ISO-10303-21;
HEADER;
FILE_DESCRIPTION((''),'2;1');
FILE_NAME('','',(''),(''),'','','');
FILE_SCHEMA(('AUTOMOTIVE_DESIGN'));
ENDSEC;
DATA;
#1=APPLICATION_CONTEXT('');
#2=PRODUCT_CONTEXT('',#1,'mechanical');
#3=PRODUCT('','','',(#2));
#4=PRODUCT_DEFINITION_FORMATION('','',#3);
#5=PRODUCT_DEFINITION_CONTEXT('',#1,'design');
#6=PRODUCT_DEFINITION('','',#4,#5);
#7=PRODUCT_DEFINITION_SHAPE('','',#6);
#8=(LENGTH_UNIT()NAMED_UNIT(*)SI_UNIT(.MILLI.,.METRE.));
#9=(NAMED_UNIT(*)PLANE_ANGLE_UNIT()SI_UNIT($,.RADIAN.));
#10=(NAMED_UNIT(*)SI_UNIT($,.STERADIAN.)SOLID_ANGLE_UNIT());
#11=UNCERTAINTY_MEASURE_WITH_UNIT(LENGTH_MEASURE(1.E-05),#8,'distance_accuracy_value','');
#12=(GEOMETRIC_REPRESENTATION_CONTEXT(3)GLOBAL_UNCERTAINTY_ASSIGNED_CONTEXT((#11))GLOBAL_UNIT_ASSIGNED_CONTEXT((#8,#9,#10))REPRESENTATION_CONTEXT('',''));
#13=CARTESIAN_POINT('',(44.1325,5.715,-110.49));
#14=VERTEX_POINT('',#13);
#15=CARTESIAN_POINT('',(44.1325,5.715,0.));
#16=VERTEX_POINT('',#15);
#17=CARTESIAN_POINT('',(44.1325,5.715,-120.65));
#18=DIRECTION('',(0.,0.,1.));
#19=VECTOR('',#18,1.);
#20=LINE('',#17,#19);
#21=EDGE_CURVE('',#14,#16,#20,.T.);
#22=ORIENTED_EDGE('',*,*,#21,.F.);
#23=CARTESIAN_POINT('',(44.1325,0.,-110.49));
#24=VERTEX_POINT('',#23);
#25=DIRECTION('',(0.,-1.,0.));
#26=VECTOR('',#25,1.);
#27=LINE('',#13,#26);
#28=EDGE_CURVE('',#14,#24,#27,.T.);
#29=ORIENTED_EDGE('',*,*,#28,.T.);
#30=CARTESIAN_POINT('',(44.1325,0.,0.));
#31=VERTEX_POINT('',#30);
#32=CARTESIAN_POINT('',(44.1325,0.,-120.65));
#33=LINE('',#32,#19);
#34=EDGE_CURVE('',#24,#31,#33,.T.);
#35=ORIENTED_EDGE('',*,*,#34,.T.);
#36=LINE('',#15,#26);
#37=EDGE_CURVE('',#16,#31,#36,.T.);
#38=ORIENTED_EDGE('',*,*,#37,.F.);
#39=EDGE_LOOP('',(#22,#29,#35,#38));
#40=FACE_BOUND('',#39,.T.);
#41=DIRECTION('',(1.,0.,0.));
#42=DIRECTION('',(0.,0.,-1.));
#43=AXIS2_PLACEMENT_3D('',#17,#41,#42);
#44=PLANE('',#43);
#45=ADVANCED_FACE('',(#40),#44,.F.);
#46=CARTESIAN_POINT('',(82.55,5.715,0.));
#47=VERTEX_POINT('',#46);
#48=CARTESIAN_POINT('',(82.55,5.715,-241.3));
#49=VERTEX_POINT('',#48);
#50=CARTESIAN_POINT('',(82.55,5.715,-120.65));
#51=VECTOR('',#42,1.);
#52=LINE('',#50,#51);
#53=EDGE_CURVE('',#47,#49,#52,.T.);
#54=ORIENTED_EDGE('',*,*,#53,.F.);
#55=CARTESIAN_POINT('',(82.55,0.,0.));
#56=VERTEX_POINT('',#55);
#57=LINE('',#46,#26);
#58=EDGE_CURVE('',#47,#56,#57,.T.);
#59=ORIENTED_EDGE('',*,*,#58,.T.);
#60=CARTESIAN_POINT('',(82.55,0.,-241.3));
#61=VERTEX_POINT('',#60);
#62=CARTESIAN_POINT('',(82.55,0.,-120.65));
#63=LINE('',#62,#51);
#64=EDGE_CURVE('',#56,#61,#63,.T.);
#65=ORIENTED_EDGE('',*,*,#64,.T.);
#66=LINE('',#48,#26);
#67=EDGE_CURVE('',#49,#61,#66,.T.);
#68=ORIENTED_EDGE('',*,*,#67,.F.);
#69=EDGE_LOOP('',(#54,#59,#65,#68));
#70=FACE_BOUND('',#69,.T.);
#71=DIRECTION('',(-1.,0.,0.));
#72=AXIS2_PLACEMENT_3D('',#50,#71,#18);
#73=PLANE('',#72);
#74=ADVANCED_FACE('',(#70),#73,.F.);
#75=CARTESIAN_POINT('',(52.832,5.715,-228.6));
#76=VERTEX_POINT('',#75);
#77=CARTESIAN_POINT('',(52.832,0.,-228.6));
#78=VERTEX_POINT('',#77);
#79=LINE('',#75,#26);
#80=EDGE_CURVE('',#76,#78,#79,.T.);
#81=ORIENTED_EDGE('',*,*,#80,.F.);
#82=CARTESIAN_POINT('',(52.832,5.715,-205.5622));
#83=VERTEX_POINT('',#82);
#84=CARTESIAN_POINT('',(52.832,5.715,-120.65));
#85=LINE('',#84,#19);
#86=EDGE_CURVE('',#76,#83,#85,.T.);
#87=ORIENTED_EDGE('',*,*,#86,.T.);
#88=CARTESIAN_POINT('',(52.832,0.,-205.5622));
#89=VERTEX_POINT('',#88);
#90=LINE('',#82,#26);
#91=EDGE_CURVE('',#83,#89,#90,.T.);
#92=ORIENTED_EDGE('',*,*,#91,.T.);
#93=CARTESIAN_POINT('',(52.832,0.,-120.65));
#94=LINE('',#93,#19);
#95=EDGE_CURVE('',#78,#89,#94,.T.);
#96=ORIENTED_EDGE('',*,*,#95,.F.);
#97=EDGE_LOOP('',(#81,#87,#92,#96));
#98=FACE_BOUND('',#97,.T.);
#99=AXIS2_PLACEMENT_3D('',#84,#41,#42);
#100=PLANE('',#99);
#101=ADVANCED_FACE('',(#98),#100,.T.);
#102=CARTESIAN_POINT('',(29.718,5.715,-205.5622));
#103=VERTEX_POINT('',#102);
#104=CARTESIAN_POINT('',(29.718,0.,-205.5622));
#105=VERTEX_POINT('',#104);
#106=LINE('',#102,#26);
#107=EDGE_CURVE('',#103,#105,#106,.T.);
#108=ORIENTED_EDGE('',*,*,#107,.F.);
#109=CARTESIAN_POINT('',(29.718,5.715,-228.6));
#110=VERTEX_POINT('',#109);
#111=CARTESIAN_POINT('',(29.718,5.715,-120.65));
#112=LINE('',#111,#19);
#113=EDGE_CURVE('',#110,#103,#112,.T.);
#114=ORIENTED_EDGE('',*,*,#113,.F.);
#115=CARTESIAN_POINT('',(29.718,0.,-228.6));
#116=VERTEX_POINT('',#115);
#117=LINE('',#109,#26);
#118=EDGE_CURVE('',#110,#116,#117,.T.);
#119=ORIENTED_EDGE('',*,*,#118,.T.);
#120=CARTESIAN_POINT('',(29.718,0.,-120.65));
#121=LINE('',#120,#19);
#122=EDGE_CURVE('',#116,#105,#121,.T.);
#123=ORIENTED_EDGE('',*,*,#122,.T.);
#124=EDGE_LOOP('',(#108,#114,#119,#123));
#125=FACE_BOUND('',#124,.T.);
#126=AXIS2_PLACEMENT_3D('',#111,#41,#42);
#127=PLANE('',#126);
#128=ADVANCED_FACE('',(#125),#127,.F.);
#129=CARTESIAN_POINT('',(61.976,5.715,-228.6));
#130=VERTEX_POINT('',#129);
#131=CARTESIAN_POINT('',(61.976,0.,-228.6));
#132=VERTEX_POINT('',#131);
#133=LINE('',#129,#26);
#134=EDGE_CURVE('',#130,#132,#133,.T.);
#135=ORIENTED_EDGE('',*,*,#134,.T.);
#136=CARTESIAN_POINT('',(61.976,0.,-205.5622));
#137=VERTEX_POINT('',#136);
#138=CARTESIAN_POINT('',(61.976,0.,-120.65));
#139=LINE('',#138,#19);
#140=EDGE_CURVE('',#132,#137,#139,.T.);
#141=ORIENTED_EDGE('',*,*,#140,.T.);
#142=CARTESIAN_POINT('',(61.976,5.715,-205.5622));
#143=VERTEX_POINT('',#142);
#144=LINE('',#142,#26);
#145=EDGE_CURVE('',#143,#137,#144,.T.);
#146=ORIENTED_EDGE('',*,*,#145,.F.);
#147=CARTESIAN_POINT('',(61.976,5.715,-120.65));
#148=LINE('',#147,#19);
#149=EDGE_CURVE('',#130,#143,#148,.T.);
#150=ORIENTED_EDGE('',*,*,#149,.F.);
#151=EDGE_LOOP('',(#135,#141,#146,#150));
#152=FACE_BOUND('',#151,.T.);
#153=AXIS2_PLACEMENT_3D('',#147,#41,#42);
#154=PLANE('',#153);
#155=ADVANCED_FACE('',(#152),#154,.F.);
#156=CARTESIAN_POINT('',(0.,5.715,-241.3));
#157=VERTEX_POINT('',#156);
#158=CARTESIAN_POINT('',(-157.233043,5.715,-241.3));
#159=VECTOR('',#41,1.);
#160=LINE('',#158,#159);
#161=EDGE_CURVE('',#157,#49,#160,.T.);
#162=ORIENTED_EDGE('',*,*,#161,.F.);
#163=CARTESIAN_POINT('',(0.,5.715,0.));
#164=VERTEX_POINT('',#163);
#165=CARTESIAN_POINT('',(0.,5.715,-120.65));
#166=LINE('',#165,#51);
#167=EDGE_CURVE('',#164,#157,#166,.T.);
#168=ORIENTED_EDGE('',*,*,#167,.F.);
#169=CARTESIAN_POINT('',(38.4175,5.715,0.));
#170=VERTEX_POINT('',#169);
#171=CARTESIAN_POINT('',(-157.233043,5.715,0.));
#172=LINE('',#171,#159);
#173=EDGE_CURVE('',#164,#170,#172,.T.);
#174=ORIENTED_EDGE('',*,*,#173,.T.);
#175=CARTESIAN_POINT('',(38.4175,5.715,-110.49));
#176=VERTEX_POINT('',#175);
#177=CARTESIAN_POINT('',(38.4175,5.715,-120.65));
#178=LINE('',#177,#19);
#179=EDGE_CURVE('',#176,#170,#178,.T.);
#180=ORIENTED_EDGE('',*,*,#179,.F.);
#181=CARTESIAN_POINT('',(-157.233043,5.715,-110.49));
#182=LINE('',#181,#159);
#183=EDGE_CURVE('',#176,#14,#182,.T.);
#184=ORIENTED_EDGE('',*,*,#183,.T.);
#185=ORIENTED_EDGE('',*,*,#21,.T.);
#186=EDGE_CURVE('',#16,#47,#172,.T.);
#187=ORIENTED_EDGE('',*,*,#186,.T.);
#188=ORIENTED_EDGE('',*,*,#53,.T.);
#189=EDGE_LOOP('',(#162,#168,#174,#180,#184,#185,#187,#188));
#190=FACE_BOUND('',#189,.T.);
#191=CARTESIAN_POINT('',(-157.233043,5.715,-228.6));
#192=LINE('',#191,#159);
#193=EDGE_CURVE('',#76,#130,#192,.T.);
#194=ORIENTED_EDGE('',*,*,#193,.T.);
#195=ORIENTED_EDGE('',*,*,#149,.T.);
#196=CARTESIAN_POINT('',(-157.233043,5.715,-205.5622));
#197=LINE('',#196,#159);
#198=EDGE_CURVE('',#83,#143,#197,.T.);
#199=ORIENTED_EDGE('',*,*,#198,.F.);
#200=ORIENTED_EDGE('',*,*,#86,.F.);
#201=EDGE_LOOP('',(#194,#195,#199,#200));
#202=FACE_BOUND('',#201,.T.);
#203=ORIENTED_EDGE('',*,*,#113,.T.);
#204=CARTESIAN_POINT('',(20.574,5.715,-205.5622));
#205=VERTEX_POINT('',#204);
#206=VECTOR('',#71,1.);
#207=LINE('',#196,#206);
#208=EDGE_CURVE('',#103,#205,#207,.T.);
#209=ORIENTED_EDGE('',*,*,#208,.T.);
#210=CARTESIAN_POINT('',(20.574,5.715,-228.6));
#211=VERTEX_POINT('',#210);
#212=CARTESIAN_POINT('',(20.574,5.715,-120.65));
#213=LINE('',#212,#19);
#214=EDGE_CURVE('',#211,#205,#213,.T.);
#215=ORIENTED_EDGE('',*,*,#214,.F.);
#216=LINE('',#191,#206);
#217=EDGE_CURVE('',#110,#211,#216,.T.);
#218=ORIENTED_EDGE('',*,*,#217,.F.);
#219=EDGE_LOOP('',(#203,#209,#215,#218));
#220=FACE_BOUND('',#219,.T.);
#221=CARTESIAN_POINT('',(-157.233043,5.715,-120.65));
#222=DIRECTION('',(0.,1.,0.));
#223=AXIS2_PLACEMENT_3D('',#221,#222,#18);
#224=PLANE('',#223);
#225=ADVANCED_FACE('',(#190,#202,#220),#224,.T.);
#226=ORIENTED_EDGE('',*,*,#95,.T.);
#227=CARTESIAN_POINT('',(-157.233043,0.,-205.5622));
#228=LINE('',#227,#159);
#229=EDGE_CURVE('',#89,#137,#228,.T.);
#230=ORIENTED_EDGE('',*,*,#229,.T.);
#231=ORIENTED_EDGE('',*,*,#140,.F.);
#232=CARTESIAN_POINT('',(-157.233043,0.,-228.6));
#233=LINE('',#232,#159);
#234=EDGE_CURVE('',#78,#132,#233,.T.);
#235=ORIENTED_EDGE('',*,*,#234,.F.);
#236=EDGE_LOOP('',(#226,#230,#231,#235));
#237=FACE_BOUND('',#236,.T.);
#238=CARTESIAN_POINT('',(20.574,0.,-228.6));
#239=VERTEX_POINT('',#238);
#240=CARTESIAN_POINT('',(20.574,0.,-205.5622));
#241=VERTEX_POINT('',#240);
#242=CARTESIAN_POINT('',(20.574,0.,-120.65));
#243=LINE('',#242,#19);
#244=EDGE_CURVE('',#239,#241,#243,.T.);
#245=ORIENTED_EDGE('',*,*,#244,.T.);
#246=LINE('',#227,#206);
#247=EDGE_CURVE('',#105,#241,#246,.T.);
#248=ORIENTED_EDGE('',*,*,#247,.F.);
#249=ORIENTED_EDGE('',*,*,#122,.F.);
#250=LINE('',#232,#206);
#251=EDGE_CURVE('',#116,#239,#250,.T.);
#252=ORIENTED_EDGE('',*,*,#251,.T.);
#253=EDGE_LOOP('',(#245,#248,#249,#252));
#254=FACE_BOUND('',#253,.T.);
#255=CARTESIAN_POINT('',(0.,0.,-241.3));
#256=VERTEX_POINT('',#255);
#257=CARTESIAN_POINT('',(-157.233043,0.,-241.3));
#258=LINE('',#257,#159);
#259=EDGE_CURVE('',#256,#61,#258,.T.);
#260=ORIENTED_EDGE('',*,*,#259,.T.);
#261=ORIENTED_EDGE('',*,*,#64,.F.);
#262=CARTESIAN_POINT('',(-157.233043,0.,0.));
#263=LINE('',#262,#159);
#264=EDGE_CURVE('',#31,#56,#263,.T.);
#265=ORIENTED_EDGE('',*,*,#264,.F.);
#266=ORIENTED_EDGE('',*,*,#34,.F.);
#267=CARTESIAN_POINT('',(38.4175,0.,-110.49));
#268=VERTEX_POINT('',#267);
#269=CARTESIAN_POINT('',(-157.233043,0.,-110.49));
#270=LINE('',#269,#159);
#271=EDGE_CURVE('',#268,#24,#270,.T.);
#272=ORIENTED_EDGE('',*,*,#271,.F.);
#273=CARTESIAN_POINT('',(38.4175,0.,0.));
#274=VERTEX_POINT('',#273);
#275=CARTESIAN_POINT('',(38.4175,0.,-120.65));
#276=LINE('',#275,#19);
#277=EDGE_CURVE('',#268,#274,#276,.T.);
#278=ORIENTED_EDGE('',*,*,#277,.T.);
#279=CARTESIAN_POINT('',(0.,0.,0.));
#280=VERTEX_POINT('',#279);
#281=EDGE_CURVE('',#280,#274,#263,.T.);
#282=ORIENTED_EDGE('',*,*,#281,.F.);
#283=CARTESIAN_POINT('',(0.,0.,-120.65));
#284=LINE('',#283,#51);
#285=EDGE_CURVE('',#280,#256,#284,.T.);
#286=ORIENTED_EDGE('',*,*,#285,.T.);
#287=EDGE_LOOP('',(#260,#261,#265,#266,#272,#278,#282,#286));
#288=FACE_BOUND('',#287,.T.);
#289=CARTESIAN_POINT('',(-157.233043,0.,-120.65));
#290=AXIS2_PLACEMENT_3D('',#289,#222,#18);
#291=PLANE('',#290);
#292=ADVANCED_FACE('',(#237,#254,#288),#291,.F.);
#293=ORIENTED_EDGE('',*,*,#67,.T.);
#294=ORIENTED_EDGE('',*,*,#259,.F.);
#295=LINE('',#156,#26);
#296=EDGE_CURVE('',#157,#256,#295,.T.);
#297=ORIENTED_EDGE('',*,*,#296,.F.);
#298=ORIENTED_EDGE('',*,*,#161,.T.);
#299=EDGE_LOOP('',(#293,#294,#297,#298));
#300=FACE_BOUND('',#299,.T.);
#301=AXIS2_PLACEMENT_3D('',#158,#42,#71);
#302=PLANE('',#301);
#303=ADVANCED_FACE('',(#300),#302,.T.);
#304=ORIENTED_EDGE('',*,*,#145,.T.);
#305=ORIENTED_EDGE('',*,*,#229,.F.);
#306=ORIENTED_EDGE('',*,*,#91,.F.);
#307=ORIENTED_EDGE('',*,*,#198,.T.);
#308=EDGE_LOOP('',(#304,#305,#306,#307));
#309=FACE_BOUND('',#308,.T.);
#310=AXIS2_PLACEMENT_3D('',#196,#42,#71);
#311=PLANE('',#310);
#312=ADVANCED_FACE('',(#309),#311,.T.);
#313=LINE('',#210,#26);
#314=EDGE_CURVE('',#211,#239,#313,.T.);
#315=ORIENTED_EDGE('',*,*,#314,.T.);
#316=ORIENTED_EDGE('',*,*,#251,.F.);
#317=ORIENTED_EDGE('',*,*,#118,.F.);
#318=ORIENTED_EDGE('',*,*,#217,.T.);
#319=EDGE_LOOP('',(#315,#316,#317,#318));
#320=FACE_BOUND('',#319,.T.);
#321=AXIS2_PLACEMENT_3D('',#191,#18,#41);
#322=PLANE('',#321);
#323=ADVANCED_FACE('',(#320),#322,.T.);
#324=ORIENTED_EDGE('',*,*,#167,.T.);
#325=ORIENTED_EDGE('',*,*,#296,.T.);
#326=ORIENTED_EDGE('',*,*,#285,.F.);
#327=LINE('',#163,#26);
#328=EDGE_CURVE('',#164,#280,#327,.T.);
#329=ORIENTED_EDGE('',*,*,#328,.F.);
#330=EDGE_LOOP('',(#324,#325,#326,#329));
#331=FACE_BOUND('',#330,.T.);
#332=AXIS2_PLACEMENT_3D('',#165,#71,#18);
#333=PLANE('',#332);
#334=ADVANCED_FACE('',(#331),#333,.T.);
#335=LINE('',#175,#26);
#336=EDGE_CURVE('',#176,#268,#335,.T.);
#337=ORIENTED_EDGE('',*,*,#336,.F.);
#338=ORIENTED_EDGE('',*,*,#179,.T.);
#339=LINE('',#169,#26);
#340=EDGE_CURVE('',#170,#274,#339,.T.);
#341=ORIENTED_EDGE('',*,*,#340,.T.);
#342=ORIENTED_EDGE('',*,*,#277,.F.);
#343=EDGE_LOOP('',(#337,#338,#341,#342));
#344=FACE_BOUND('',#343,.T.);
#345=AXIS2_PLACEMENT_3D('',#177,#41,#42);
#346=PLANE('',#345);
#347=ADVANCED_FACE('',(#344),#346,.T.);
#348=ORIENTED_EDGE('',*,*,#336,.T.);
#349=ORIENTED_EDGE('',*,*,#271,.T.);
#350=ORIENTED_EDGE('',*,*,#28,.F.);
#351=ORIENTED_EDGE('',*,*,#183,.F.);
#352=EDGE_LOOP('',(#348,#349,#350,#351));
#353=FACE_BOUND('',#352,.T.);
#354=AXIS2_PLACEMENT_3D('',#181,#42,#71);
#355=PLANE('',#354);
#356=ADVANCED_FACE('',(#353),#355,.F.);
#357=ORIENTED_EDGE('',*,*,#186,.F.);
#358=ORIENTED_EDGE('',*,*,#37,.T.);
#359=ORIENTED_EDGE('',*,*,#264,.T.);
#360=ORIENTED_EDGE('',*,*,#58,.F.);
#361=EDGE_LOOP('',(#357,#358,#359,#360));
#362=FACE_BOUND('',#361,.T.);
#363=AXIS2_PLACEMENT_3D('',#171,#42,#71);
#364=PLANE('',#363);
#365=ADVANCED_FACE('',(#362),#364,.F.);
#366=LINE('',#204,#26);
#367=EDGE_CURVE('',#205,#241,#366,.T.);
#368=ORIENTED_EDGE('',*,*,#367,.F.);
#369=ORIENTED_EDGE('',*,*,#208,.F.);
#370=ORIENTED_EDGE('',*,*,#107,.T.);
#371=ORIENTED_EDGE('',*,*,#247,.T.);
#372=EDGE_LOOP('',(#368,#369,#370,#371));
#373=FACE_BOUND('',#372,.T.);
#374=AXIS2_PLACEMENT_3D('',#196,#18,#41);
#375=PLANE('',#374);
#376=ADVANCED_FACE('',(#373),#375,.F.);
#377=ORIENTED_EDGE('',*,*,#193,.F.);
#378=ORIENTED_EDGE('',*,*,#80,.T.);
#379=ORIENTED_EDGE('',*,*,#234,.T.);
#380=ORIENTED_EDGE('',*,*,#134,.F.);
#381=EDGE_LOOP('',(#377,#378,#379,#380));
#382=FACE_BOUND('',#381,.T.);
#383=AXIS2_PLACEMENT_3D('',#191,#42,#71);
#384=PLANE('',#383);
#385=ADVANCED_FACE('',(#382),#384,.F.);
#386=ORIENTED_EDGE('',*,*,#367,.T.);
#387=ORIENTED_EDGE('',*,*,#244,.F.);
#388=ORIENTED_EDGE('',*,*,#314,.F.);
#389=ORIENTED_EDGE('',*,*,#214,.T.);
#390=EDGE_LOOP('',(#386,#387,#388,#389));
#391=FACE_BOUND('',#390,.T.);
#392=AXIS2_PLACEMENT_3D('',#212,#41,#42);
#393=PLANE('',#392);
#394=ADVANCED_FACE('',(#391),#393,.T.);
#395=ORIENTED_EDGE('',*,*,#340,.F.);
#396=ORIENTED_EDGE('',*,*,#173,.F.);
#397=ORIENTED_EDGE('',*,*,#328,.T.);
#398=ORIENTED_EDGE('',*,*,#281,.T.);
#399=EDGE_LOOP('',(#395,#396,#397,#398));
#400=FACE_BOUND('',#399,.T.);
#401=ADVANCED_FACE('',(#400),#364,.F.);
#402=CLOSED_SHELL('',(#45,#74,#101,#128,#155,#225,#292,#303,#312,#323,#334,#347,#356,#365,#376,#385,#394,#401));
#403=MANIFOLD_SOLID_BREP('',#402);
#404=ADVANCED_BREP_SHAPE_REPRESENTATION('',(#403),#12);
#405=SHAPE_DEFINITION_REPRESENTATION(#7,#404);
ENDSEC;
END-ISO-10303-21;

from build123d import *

# Parameters (mm, degrees)
SKETCH1_W           = 9.144
SKETCH1_H           = 23.0378
BOSS_EXTRUDE1_DEPTH = 5.715


with BuildPart() as part:
    # Sketch1 → Boss-Extrude1 (new body)
    # profile 1 of 2: a face of its own
    with BuildSketch(Plane(origin=(0, 0, 0), x_dir=(1, 0, 0), z_dir=(0, 1, 0))):
        Polygon((38.4175, 110.49), (41.275, 110.49), (44.1325, 110.49), (44.1325, 0), (82.55, 0), (82.55, 241.3), (0, 241.3), (0, 0), (38.4175, 0), align=None)
        with Locations((25.146, 217.0811)):
            Rectangle(SKETCH1_W, SKETCH1_H, mode=Mode.SUBTRACT)
        with Locations((57.404, 217.0811)):
            Rectangle(SKETCH1_W, SKETCH1_H, mode=Mode.SUBTRACT)
    # profile 2 of 2: a face of its own
    with BuildSketch(Plane(origin=(0, 0, 0), x_dir=(1, 0, 0), z_dir=(0, 1, 0))):
        Polygon((38.4175, 110.49), (41.275, 110.49), (44.1325, 110.49), (44.1325, 0), (82.55, 0), (82.55, 241.3), (0, 241.3), (0, 0), (38.4175, 0), align=None)
        with Locations((25.146, 217.0811)):
            Rectangle(SKETCH1_W, SKETCH1_H, mode=Mode.SUBTRACT)
        with Locations((57.404, 217.0811)):
            Rectangle(SKETCH1_W, SKETCH1_H, mode=Mode.SUBTRACT)
    extrude(amount=BOSS_EXTRUDE1_DEPTH)


solid = part.part
